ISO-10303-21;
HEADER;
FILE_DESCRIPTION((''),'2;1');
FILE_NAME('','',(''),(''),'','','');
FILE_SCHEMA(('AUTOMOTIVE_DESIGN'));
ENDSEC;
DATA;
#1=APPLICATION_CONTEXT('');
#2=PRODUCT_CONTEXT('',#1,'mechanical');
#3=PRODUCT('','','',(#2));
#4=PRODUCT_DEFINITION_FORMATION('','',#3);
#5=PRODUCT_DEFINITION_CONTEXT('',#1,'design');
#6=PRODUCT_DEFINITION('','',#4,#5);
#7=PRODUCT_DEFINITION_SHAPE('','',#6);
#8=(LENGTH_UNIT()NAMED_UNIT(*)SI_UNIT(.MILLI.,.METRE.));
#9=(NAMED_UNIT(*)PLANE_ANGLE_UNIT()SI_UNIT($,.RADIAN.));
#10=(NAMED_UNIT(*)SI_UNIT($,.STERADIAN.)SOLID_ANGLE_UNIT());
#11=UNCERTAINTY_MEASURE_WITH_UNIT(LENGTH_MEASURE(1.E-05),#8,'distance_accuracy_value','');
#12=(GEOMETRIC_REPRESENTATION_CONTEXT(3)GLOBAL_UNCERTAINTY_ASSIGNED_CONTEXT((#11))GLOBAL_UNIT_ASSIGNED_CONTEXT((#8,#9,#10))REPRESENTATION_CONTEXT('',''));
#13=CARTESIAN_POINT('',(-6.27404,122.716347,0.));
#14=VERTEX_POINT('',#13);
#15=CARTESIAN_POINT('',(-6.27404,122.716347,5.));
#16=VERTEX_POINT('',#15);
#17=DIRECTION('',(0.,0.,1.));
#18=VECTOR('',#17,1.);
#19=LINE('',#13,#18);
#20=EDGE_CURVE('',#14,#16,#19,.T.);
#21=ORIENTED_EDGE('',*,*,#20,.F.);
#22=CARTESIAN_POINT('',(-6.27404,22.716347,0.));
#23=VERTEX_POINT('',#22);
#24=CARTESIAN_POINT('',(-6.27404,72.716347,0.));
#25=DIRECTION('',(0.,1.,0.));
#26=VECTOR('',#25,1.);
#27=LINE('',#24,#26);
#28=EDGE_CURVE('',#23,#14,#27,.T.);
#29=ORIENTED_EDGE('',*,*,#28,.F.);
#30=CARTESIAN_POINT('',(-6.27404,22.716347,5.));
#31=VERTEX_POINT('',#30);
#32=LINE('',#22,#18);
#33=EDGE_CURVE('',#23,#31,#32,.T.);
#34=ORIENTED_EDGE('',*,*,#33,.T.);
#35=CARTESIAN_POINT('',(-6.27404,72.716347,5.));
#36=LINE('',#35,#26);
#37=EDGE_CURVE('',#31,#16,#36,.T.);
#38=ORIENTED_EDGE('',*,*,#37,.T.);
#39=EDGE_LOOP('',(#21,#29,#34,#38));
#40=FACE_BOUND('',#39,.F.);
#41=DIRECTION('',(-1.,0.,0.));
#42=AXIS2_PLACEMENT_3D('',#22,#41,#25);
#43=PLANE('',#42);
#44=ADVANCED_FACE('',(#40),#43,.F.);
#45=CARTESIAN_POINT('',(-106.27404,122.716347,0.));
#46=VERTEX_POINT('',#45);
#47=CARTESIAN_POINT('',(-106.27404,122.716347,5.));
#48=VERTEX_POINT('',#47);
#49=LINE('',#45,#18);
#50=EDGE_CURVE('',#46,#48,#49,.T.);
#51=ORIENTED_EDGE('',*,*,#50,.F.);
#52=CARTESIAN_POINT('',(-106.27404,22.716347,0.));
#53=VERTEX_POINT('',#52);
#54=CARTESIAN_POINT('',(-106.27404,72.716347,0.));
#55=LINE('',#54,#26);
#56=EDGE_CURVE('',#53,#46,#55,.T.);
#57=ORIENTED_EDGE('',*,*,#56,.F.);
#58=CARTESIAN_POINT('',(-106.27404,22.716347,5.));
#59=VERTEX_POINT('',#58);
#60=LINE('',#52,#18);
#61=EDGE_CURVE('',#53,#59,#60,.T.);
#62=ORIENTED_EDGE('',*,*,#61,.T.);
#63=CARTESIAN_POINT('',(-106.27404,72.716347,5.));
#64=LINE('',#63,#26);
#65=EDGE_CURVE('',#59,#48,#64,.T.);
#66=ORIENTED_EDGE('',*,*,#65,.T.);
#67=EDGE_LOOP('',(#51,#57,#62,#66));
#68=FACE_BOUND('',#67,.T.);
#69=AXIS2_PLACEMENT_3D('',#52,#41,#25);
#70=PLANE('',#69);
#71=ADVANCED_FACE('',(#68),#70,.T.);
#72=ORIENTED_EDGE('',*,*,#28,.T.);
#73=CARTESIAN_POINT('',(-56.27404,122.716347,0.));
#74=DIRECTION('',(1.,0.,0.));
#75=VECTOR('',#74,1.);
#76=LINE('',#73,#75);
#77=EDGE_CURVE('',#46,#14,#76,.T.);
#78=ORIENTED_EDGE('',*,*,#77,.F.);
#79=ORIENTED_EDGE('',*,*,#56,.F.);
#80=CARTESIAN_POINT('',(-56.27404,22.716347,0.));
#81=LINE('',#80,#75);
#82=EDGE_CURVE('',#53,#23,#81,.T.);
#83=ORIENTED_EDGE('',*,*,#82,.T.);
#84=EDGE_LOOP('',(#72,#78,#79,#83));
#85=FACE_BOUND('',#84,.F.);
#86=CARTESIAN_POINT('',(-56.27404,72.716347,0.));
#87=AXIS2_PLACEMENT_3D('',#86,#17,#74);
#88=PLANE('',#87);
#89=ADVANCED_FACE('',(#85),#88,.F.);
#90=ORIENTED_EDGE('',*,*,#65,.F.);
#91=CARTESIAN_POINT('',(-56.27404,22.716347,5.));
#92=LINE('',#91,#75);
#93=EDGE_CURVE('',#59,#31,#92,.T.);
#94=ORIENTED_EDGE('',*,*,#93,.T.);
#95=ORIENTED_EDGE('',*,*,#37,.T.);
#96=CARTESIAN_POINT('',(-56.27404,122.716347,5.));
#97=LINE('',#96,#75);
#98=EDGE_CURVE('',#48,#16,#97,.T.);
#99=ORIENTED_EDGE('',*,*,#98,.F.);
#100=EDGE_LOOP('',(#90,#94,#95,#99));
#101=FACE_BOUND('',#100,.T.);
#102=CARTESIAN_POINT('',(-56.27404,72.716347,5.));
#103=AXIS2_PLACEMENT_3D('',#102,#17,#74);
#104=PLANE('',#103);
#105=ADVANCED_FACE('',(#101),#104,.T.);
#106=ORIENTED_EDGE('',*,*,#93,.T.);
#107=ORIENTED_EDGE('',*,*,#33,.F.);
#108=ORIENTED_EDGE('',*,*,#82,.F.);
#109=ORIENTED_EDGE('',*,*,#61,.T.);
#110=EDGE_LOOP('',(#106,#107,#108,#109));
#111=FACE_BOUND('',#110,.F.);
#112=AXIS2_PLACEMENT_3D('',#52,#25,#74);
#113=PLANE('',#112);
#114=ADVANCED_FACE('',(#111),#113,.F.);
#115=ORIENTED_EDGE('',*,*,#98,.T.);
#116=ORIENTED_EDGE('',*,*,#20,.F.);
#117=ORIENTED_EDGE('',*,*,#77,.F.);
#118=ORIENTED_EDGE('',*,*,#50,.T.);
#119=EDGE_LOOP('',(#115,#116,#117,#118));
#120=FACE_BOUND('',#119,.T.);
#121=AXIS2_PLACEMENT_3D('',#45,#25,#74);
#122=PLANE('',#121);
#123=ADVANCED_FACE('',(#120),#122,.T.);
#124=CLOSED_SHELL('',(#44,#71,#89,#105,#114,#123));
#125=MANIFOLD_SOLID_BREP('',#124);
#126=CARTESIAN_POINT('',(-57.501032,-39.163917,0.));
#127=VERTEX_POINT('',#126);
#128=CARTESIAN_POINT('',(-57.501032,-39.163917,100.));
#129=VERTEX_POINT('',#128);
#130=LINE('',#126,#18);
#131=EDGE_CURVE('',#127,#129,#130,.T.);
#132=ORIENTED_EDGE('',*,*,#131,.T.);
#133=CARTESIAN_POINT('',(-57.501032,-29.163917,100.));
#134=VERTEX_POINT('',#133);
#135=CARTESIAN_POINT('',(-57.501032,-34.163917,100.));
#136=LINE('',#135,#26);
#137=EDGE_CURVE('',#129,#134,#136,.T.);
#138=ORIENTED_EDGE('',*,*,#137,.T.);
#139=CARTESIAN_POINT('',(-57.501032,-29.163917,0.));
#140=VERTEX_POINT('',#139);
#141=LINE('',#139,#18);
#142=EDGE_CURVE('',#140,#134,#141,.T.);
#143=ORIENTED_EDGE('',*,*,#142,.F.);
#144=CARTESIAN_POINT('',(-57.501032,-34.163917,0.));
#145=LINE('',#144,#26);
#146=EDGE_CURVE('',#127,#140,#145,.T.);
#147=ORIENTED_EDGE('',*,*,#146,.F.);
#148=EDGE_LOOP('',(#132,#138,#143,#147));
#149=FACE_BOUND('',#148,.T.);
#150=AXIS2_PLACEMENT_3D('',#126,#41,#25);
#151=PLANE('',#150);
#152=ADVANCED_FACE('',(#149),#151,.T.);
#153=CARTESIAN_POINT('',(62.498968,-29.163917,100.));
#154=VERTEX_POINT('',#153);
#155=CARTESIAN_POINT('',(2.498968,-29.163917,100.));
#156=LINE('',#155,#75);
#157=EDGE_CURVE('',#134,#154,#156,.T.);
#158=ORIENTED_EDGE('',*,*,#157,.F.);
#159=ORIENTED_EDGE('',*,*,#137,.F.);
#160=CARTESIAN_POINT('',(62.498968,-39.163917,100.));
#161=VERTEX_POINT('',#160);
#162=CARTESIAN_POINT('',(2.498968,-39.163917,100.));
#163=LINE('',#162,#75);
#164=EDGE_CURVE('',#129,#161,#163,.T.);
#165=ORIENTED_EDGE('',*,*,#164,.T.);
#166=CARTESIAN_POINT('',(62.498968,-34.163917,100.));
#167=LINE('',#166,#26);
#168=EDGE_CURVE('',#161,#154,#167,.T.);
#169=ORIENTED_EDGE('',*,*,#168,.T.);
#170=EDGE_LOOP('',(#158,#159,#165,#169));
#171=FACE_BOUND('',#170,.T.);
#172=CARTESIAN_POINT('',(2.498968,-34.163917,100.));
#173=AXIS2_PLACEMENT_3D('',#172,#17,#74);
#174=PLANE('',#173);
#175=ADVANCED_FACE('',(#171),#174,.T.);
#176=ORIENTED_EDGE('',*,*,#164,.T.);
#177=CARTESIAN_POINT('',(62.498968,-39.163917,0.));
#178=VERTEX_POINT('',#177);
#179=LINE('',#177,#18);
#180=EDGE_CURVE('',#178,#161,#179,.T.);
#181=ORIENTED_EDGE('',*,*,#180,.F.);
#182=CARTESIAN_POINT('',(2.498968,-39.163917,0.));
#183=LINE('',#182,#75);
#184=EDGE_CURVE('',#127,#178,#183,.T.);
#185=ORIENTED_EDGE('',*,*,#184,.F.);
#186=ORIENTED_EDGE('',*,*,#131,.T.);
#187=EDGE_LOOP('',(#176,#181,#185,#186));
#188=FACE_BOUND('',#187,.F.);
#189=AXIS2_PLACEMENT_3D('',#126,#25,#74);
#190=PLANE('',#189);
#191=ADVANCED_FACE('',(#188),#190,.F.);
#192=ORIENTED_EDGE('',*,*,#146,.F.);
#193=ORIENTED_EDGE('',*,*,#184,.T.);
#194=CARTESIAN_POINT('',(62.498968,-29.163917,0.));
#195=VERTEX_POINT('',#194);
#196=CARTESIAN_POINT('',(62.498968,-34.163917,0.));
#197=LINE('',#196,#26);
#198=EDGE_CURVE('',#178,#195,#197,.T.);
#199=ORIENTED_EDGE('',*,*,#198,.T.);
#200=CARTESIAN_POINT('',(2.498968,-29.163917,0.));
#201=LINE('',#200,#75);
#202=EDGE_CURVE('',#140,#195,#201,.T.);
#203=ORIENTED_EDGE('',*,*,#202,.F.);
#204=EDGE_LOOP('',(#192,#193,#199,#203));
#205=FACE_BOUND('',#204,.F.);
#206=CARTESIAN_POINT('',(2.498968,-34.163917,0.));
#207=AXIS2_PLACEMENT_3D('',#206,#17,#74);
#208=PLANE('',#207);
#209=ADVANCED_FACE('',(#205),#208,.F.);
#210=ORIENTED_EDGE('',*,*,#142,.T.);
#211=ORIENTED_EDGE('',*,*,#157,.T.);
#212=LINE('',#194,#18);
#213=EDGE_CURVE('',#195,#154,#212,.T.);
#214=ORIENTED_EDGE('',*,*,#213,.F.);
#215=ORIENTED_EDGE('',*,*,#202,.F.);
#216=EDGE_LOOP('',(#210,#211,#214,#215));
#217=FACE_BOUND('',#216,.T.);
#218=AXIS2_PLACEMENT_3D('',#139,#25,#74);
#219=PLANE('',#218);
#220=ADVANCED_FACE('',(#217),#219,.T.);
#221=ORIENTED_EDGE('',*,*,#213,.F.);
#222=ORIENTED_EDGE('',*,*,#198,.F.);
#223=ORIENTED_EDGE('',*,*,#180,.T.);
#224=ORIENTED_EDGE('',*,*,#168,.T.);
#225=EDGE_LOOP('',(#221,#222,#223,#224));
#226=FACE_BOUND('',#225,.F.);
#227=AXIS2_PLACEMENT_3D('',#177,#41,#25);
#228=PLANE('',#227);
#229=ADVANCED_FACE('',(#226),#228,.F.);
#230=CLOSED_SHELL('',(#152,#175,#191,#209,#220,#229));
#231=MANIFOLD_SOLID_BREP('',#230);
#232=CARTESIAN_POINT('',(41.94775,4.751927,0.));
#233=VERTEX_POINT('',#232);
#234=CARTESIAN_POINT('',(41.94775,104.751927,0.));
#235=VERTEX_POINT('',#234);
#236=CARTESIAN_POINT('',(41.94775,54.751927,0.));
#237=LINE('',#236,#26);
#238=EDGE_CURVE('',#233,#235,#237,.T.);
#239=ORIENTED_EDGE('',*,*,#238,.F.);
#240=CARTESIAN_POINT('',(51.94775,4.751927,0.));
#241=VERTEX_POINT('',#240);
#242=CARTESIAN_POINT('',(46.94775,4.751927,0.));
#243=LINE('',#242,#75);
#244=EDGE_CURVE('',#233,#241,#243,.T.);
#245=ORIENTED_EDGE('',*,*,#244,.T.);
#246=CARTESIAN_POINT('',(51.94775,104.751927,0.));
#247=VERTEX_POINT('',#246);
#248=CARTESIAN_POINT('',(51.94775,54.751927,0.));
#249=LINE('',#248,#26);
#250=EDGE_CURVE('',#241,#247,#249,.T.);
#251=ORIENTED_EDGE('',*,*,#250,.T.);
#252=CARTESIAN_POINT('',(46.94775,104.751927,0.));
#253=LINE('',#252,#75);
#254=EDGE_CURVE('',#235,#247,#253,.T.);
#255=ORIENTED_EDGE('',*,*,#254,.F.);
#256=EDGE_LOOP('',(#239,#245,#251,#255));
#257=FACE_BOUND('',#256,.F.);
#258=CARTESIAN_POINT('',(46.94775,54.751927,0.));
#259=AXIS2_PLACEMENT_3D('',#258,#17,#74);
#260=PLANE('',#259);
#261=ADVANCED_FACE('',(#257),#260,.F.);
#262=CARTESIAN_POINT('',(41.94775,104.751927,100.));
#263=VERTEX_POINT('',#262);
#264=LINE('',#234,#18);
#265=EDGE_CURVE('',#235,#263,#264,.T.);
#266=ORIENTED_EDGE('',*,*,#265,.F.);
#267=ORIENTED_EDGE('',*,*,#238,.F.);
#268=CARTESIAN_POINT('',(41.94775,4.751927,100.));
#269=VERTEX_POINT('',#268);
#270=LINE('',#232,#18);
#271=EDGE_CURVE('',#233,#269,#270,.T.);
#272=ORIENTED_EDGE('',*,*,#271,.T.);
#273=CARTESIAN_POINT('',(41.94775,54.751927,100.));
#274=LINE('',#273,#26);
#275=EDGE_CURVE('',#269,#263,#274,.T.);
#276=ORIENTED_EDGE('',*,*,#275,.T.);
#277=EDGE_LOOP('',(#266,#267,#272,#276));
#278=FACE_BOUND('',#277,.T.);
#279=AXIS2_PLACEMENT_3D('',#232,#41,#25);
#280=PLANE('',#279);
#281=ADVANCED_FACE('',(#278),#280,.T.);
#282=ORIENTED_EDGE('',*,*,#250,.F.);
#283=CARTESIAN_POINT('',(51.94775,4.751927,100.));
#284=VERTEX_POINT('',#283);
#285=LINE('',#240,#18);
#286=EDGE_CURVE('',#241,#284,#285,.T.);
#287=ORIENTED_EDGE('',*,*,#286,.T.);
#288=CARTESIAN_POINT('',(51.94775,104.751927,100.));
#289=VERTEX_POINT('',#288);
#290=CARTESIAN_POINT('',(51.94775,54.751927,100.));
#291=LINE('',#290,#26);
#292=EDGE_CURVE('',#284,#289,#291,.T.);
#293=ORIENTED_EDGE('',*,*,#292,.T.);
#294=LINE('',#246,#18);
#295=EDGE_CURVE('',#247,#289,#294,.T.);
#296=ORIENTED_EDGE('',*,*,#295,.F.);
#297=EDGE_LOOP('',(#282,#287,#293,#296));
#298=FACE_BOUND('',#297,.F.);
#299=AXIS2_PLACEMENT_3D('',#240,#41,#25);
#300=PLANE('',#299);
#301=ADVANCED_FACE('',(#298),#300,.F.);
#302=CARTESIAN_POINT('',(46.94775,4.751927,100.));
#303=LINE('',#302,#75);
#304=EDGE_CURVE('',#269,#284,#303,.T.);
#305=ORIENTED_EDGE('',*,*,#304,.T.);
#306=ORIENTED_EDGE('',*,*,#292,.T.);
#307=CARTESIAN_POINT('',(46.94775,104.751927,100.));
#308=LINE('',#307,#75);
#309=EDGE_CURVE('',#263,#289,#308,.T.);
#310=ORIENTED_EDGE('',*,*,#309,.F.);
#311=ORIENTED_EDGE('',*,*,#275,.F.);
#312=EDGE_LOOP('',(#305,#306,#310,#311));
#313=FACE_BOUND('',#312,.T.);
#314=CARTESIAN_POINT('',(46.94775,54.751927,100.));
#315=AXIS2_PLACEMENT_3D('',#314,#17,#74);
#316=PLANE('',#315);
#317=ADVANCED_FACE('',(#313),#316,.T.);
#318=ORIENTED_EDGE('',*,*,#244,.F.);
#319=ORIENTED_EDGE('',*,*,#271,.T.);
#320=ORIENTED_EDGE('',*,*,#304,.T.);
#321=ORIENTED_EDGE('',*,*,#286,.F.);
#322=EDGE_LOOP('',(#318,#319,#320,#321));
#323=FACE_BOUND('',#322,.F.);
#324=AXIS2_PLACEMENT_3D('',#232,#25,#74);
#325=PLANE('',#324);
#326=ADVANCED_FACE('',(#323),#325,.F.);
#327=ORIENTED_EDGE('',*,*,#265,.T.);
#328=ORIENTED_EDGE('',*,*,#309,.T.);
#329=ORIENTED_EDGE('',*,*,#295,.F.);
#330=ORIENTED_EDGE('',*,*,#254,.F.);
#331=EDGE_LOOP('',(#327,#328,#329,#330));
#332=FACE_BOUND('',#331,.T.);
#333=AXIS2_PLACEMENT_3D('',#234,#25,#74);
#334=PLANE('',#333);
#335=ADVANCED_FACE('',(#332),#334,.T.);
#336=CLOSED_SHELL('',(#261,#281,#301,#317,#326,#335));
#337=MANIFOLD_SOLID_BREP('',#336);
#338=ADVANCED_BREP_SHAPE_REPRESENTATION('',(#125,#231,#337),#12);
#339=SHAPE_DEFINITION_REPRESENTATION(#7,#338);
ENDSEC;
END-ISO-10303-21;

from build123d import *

# Parameters (mm, degrees)
F0_W     = 100
F0_H     = 100
F1_DEPTH = 5
F3_W     = 120
F3_H     = 10
F4_DEPTH = 100
F2_W     = 10
F2_H     = 100
F5_DEPTH = 100


with BuildPart() as f1:
    # F0 (on Top) → F1 (new body)
    with BuildSketch(Plane.XY):
        with Locations((-56.27404, 72.716347)):
            Rectangle(F0_W, F0_H)
    extrude(amount=F1_DEPTH)


with BuildPart() as f4:
    # F3 (on Top) → F4 (new body)
    with BuildSketch(Plane.XY):
        with Locations((2.498968, -34.163917)):
            Rectangle(F3_W, F3_H)
    extrude(amount=F4_DEPTH)


with BuildPart() as f5:
    # F2 (on Top) → F5 (new body)
    with BuildSketch(Plane.XY):
        with Locations((46.94775, 54.751927)):
            Rectangle(F2_W, F2_H)
    extrude(amount=F5_DEPTH)


solid = Compound([f1.part, f4.part, f5.part])
